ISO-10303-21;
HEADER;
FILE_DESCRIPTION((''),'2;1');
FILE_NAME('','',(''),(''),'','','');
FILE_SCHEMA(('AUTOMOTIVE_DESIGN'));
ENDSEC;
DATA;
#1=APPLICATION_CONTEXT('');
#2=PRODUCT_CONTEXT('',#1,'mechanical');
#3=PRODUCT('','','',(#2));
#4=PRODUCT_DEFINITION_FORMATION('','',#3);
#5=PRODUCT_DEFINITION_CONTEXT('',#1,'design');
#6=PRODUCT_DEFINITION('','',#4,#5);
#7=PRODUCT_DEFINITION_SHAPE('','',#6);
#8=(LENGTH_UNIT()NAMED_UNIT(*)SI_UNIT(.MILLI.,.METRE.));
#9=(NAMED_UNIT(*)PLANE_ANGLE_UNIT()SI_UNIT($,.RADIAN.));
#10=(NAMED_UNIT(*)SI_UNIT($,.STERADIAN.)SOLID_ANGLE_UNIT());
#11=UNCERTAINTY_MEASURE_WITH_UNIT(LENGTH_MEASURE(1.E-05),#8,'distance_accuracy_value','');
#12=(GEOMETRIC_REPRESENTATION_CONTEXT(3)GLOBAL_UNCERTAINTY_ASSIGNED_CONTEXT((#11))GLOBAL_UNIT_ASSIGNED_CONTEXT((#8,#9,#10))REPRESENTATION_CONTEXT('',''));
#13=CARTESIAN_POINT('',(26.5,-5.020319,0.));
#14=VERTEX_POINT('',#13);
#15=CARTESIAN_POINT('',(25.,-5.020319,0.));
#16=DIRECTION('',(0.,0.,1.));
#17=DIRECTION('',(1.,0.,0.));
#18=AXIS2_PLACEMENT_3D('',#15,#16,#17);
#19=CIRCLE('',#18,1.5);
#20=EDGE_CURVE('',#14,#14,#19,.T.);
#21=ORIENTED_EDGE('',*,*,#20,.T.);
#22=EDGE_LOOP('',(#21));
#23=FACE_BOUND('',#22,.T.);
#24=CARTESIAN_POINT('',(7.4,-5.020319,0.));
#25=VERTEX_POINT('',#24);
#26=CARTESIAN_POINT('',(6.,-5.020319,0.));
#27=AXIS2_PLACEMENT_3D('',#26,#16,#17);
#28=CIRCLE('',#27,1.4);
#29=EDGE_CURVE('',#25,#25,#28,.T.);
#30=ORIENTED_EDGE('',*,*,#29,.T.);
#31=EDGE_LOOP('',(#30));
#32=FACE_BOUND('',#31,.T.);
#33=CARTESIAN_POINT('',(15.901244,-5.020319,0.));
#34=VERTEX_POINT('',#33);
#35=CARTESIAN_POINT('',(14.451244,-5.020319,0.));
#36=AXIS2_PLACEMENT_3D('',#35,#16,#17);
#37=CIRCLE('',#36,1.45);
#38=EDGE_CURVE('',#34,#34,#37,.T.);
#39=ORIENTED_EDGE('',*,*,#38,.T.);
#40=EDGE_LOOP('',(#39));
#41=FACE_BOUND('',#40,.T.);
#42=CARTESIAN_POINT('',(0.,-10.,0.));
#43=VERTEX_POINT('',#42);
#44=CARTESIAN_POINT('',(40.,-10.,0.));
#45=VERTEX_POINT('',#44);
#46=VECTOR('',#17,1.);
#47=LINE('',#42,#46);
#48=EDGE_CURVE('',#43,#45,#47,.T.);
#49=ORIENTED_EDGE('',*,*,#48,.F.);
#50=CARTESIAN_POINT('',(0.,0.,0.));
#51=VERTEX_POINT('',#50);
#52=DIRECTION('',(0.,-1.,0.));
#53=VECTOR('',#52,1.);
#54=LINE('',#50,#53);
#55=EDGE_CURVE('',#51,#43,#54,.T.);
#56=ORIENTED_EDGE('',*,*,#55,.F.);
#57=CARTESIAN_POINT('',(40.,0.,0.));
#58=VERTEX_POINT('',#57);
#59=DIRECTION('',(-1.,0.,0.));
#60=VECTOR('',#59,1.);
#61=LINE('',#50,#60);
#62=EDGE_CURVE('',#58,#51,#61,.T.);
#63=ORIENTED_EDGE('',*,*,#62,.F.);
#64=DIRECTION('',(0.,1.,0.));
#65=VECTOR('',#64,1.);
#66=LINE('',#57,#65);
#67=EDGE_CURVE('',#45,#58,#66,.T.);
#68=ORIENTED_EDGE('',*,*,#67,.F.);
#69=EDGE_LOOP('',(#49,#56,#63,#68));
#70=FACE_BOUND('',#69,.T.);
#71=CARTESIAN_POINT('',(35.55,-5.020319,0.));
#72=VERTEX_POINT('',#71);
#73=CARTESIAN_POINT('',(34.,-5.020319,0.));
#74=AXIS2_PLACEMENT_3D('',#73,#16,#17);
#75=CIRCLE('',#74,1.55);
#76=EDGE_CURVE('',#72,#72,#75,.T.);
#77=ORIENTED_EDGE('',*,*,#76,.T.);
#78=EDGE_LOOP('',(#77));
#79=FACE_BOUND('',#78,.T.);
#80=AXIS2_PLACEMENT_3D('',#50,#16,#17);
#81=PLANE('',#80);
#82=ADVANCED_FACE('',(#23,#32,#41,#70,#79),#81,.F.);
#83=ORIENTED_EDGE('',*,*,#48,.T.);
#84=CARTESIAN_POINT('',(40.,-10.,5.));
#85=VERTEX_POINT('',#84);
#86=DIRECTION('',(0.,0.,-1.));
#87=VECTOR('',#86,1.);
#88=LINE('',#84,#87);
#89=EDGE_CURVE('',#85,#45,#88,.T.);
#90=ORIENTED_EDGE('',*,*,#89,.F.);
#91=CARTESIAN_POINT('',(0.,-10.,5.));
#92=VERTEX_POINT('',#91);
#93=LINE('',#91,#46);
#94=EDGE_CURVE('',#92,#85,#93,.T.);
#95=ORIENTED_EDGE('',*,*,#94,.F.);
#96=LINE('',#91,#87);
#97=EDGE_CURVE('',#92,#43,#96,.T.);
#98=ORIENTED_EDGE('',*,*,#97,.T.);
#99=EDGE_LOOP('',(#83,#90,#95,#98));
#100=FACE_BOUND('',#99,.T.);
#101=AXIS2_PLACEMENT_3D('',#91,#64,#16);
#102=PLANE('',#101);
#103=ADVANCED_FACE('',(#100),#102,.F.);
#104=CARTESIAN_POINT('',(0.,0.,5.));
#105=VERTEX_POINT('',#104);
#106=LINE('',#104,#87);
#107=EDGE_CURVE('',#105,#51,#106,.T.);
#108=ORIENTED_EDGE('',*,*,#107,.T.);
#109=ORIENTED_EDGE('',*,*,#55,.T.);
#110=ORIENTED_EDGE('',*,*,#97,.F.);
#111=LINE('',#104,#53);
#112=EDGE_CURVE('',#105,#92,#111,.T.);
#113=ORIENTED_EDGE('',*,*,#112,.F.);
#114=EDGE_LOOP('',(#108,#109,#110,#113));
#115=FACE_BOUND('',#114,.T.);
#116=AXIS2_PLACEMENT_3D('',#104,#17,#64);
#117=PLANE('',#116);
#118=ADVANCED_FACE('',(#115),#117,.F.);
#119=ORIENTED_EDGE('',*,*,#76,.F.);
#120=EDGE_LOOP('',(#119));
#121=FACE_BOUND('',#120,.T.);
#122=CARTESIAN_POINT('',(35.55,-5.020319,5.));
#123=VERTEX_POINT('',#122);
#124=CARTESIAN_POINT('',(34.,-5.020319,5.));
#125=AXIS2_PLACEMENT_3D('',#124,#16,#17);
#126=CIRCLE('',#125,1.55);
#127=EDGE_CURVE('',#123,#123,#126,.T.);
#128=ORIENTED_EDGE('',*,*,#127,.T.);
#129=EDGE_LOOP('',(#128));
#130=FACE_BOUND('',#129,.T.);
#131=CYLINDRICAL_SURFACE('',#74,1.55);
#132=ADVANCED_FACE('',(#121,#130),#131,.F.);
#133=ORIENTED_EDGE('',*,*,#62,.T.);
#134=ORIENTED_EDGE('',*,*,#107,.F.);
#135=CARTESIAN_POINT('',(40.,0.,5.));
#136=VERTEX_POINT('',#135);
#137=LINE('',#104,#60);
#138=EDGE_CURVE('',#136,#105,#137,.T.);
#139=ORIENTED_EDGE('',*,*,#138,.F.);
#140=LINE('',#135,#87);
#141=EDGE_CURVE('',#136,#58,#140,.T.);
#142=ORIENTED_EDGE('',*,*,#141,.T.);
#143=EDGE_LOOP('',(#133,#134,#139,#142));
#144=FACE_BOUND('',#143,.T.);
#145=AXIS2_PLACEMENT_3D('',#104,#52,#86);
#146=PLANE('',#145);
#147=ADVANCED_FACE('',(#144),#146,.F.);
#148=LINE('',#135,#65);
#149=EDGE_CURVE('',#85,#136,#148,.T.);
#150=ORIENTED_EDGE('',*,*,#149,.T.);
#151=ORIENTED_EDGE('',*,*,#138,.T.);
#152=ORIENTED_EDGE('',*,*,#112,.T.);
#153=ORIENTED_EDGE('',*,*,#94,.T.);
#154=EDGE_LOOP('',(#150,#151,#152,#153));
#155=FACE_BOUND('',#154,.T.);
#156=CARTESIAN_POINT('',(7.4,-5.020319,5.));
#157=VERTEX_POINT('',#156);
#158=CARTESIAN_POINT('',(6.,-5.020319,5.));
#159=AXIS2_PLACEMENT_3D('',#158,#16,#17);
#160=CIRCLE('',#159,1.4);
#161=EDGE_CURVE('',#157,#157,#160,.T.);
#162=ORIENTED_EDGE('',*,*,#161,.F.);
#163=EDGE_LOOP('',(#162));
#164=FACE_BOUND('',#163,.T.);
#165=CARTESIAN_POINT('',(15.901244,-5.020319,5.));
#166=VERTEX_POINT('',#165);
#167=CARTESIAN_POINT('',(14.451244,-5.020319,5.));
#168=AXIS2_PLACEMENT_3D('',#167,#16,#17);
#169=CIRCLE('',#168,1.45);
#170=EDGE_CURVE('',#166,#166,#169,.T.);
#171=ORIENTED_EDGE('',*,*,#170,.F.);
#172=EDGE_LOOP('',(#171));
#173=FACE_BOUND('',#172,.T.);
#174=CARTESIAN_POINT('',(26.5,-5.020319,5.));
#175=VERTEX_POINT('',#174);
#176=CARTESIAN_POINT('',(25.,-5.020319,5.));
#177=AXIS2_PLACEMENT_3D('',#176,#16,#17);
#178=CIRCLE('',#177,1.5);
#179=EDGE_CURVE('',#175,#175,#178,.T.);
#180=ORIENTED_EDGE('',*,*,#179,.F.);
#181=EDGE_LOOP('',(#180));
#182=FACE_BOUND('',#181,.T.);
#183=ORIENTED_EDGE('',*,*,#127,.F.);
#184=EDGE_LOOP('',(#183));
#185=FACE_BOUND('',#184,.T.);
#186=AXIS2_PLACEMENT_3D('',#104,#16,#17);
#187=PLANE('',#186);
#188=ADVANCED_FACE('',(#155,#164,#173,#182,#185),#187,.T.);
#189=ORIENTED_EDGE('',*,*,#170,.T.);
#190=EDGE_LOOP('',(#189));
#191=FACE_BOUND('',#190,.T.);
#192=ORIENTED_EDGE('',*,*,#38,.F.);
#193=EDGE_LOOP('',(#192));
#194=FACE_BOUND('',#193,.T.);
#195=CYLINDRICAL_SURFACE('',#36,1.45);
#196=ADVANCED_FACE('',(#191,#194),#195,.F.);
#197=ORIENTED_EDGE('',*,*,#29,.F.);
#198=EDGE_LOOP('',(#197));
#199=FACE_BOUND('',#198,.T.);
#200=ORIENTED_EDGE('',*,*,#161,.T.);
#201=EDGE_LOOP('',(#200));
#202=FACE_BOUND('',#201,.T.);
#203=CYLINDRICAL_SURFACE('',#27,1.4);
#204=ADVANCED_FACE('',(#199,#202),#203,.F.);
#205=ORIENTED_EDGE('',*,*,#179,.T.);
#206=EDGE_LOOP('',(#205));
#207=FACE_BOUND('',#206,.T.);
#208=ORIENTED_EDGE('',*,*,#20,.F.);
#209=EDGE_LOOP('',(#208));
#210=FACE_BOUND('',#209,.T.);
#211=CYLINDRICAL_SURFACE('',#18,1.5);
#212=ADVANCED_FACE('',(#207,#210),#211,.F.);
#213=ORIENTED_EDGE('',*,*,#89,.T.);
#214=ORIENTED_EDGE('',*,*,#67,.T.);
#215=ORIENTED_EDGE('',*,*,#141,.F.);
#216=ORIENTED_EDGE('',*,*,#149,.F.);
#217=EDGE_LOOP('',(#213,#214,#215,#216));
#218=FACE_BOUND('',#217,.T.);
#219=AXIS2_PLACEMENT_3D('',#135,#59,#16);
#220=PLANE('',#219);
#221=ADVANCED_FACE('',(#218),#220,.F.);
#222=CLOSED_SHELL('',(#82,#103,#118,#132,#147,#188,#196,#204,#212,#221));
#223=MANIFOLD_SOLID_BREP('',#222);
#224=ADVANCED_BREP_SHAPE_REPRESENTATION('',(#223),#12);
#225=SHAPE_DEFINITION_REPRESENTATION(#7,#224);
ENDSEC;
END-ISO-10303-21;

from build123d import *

# Parameters (mm, degrees)
SKETCH2_W           = 40
SKETCH2_H           = 10
BOSS_EXTRUDE1_DEPTH = 5
SKETCH3_R           = 1.4
SKETCH3_R_2         = 1.45
SKETCH3_R_3         = 1.5
SKETCH3_R_4         = 1.55
CUT_EXTRUDE1_DEPTH  = 5


with BuildPart() as part:
    # Sketch2 → Boss-Extrude1 (new body)
    with BuildSketch(Plane.XY):
        with Locations((20, -5)):
            Rectangle(SKETCH2_W, SKETCH2_H)
    extrude(amount=BOSS_EXTRUDE1_DEPTH)

    # Sketch3 → Cut-Extrude1 (cut)
    with BuildSketch(Plane.XY.offset(5)):
        with Locations((6, -5.020319492)):
            Circle(SKETCH3_R)
        with Locations((14.451243537, -5.020319492)):
            Circle(SKETCH3_R_2)
        with Locations((25, -5.020319492)):
            Circle(SKETCH3_R_3)
        with Locations((34, -5.020319492)):
            Circle(SKETCH3_R_4)
    extrude(amount=-CUT_EXTRUDE1_DEPTH, mode=Mode.SUBTRACT)


solid = part.part
